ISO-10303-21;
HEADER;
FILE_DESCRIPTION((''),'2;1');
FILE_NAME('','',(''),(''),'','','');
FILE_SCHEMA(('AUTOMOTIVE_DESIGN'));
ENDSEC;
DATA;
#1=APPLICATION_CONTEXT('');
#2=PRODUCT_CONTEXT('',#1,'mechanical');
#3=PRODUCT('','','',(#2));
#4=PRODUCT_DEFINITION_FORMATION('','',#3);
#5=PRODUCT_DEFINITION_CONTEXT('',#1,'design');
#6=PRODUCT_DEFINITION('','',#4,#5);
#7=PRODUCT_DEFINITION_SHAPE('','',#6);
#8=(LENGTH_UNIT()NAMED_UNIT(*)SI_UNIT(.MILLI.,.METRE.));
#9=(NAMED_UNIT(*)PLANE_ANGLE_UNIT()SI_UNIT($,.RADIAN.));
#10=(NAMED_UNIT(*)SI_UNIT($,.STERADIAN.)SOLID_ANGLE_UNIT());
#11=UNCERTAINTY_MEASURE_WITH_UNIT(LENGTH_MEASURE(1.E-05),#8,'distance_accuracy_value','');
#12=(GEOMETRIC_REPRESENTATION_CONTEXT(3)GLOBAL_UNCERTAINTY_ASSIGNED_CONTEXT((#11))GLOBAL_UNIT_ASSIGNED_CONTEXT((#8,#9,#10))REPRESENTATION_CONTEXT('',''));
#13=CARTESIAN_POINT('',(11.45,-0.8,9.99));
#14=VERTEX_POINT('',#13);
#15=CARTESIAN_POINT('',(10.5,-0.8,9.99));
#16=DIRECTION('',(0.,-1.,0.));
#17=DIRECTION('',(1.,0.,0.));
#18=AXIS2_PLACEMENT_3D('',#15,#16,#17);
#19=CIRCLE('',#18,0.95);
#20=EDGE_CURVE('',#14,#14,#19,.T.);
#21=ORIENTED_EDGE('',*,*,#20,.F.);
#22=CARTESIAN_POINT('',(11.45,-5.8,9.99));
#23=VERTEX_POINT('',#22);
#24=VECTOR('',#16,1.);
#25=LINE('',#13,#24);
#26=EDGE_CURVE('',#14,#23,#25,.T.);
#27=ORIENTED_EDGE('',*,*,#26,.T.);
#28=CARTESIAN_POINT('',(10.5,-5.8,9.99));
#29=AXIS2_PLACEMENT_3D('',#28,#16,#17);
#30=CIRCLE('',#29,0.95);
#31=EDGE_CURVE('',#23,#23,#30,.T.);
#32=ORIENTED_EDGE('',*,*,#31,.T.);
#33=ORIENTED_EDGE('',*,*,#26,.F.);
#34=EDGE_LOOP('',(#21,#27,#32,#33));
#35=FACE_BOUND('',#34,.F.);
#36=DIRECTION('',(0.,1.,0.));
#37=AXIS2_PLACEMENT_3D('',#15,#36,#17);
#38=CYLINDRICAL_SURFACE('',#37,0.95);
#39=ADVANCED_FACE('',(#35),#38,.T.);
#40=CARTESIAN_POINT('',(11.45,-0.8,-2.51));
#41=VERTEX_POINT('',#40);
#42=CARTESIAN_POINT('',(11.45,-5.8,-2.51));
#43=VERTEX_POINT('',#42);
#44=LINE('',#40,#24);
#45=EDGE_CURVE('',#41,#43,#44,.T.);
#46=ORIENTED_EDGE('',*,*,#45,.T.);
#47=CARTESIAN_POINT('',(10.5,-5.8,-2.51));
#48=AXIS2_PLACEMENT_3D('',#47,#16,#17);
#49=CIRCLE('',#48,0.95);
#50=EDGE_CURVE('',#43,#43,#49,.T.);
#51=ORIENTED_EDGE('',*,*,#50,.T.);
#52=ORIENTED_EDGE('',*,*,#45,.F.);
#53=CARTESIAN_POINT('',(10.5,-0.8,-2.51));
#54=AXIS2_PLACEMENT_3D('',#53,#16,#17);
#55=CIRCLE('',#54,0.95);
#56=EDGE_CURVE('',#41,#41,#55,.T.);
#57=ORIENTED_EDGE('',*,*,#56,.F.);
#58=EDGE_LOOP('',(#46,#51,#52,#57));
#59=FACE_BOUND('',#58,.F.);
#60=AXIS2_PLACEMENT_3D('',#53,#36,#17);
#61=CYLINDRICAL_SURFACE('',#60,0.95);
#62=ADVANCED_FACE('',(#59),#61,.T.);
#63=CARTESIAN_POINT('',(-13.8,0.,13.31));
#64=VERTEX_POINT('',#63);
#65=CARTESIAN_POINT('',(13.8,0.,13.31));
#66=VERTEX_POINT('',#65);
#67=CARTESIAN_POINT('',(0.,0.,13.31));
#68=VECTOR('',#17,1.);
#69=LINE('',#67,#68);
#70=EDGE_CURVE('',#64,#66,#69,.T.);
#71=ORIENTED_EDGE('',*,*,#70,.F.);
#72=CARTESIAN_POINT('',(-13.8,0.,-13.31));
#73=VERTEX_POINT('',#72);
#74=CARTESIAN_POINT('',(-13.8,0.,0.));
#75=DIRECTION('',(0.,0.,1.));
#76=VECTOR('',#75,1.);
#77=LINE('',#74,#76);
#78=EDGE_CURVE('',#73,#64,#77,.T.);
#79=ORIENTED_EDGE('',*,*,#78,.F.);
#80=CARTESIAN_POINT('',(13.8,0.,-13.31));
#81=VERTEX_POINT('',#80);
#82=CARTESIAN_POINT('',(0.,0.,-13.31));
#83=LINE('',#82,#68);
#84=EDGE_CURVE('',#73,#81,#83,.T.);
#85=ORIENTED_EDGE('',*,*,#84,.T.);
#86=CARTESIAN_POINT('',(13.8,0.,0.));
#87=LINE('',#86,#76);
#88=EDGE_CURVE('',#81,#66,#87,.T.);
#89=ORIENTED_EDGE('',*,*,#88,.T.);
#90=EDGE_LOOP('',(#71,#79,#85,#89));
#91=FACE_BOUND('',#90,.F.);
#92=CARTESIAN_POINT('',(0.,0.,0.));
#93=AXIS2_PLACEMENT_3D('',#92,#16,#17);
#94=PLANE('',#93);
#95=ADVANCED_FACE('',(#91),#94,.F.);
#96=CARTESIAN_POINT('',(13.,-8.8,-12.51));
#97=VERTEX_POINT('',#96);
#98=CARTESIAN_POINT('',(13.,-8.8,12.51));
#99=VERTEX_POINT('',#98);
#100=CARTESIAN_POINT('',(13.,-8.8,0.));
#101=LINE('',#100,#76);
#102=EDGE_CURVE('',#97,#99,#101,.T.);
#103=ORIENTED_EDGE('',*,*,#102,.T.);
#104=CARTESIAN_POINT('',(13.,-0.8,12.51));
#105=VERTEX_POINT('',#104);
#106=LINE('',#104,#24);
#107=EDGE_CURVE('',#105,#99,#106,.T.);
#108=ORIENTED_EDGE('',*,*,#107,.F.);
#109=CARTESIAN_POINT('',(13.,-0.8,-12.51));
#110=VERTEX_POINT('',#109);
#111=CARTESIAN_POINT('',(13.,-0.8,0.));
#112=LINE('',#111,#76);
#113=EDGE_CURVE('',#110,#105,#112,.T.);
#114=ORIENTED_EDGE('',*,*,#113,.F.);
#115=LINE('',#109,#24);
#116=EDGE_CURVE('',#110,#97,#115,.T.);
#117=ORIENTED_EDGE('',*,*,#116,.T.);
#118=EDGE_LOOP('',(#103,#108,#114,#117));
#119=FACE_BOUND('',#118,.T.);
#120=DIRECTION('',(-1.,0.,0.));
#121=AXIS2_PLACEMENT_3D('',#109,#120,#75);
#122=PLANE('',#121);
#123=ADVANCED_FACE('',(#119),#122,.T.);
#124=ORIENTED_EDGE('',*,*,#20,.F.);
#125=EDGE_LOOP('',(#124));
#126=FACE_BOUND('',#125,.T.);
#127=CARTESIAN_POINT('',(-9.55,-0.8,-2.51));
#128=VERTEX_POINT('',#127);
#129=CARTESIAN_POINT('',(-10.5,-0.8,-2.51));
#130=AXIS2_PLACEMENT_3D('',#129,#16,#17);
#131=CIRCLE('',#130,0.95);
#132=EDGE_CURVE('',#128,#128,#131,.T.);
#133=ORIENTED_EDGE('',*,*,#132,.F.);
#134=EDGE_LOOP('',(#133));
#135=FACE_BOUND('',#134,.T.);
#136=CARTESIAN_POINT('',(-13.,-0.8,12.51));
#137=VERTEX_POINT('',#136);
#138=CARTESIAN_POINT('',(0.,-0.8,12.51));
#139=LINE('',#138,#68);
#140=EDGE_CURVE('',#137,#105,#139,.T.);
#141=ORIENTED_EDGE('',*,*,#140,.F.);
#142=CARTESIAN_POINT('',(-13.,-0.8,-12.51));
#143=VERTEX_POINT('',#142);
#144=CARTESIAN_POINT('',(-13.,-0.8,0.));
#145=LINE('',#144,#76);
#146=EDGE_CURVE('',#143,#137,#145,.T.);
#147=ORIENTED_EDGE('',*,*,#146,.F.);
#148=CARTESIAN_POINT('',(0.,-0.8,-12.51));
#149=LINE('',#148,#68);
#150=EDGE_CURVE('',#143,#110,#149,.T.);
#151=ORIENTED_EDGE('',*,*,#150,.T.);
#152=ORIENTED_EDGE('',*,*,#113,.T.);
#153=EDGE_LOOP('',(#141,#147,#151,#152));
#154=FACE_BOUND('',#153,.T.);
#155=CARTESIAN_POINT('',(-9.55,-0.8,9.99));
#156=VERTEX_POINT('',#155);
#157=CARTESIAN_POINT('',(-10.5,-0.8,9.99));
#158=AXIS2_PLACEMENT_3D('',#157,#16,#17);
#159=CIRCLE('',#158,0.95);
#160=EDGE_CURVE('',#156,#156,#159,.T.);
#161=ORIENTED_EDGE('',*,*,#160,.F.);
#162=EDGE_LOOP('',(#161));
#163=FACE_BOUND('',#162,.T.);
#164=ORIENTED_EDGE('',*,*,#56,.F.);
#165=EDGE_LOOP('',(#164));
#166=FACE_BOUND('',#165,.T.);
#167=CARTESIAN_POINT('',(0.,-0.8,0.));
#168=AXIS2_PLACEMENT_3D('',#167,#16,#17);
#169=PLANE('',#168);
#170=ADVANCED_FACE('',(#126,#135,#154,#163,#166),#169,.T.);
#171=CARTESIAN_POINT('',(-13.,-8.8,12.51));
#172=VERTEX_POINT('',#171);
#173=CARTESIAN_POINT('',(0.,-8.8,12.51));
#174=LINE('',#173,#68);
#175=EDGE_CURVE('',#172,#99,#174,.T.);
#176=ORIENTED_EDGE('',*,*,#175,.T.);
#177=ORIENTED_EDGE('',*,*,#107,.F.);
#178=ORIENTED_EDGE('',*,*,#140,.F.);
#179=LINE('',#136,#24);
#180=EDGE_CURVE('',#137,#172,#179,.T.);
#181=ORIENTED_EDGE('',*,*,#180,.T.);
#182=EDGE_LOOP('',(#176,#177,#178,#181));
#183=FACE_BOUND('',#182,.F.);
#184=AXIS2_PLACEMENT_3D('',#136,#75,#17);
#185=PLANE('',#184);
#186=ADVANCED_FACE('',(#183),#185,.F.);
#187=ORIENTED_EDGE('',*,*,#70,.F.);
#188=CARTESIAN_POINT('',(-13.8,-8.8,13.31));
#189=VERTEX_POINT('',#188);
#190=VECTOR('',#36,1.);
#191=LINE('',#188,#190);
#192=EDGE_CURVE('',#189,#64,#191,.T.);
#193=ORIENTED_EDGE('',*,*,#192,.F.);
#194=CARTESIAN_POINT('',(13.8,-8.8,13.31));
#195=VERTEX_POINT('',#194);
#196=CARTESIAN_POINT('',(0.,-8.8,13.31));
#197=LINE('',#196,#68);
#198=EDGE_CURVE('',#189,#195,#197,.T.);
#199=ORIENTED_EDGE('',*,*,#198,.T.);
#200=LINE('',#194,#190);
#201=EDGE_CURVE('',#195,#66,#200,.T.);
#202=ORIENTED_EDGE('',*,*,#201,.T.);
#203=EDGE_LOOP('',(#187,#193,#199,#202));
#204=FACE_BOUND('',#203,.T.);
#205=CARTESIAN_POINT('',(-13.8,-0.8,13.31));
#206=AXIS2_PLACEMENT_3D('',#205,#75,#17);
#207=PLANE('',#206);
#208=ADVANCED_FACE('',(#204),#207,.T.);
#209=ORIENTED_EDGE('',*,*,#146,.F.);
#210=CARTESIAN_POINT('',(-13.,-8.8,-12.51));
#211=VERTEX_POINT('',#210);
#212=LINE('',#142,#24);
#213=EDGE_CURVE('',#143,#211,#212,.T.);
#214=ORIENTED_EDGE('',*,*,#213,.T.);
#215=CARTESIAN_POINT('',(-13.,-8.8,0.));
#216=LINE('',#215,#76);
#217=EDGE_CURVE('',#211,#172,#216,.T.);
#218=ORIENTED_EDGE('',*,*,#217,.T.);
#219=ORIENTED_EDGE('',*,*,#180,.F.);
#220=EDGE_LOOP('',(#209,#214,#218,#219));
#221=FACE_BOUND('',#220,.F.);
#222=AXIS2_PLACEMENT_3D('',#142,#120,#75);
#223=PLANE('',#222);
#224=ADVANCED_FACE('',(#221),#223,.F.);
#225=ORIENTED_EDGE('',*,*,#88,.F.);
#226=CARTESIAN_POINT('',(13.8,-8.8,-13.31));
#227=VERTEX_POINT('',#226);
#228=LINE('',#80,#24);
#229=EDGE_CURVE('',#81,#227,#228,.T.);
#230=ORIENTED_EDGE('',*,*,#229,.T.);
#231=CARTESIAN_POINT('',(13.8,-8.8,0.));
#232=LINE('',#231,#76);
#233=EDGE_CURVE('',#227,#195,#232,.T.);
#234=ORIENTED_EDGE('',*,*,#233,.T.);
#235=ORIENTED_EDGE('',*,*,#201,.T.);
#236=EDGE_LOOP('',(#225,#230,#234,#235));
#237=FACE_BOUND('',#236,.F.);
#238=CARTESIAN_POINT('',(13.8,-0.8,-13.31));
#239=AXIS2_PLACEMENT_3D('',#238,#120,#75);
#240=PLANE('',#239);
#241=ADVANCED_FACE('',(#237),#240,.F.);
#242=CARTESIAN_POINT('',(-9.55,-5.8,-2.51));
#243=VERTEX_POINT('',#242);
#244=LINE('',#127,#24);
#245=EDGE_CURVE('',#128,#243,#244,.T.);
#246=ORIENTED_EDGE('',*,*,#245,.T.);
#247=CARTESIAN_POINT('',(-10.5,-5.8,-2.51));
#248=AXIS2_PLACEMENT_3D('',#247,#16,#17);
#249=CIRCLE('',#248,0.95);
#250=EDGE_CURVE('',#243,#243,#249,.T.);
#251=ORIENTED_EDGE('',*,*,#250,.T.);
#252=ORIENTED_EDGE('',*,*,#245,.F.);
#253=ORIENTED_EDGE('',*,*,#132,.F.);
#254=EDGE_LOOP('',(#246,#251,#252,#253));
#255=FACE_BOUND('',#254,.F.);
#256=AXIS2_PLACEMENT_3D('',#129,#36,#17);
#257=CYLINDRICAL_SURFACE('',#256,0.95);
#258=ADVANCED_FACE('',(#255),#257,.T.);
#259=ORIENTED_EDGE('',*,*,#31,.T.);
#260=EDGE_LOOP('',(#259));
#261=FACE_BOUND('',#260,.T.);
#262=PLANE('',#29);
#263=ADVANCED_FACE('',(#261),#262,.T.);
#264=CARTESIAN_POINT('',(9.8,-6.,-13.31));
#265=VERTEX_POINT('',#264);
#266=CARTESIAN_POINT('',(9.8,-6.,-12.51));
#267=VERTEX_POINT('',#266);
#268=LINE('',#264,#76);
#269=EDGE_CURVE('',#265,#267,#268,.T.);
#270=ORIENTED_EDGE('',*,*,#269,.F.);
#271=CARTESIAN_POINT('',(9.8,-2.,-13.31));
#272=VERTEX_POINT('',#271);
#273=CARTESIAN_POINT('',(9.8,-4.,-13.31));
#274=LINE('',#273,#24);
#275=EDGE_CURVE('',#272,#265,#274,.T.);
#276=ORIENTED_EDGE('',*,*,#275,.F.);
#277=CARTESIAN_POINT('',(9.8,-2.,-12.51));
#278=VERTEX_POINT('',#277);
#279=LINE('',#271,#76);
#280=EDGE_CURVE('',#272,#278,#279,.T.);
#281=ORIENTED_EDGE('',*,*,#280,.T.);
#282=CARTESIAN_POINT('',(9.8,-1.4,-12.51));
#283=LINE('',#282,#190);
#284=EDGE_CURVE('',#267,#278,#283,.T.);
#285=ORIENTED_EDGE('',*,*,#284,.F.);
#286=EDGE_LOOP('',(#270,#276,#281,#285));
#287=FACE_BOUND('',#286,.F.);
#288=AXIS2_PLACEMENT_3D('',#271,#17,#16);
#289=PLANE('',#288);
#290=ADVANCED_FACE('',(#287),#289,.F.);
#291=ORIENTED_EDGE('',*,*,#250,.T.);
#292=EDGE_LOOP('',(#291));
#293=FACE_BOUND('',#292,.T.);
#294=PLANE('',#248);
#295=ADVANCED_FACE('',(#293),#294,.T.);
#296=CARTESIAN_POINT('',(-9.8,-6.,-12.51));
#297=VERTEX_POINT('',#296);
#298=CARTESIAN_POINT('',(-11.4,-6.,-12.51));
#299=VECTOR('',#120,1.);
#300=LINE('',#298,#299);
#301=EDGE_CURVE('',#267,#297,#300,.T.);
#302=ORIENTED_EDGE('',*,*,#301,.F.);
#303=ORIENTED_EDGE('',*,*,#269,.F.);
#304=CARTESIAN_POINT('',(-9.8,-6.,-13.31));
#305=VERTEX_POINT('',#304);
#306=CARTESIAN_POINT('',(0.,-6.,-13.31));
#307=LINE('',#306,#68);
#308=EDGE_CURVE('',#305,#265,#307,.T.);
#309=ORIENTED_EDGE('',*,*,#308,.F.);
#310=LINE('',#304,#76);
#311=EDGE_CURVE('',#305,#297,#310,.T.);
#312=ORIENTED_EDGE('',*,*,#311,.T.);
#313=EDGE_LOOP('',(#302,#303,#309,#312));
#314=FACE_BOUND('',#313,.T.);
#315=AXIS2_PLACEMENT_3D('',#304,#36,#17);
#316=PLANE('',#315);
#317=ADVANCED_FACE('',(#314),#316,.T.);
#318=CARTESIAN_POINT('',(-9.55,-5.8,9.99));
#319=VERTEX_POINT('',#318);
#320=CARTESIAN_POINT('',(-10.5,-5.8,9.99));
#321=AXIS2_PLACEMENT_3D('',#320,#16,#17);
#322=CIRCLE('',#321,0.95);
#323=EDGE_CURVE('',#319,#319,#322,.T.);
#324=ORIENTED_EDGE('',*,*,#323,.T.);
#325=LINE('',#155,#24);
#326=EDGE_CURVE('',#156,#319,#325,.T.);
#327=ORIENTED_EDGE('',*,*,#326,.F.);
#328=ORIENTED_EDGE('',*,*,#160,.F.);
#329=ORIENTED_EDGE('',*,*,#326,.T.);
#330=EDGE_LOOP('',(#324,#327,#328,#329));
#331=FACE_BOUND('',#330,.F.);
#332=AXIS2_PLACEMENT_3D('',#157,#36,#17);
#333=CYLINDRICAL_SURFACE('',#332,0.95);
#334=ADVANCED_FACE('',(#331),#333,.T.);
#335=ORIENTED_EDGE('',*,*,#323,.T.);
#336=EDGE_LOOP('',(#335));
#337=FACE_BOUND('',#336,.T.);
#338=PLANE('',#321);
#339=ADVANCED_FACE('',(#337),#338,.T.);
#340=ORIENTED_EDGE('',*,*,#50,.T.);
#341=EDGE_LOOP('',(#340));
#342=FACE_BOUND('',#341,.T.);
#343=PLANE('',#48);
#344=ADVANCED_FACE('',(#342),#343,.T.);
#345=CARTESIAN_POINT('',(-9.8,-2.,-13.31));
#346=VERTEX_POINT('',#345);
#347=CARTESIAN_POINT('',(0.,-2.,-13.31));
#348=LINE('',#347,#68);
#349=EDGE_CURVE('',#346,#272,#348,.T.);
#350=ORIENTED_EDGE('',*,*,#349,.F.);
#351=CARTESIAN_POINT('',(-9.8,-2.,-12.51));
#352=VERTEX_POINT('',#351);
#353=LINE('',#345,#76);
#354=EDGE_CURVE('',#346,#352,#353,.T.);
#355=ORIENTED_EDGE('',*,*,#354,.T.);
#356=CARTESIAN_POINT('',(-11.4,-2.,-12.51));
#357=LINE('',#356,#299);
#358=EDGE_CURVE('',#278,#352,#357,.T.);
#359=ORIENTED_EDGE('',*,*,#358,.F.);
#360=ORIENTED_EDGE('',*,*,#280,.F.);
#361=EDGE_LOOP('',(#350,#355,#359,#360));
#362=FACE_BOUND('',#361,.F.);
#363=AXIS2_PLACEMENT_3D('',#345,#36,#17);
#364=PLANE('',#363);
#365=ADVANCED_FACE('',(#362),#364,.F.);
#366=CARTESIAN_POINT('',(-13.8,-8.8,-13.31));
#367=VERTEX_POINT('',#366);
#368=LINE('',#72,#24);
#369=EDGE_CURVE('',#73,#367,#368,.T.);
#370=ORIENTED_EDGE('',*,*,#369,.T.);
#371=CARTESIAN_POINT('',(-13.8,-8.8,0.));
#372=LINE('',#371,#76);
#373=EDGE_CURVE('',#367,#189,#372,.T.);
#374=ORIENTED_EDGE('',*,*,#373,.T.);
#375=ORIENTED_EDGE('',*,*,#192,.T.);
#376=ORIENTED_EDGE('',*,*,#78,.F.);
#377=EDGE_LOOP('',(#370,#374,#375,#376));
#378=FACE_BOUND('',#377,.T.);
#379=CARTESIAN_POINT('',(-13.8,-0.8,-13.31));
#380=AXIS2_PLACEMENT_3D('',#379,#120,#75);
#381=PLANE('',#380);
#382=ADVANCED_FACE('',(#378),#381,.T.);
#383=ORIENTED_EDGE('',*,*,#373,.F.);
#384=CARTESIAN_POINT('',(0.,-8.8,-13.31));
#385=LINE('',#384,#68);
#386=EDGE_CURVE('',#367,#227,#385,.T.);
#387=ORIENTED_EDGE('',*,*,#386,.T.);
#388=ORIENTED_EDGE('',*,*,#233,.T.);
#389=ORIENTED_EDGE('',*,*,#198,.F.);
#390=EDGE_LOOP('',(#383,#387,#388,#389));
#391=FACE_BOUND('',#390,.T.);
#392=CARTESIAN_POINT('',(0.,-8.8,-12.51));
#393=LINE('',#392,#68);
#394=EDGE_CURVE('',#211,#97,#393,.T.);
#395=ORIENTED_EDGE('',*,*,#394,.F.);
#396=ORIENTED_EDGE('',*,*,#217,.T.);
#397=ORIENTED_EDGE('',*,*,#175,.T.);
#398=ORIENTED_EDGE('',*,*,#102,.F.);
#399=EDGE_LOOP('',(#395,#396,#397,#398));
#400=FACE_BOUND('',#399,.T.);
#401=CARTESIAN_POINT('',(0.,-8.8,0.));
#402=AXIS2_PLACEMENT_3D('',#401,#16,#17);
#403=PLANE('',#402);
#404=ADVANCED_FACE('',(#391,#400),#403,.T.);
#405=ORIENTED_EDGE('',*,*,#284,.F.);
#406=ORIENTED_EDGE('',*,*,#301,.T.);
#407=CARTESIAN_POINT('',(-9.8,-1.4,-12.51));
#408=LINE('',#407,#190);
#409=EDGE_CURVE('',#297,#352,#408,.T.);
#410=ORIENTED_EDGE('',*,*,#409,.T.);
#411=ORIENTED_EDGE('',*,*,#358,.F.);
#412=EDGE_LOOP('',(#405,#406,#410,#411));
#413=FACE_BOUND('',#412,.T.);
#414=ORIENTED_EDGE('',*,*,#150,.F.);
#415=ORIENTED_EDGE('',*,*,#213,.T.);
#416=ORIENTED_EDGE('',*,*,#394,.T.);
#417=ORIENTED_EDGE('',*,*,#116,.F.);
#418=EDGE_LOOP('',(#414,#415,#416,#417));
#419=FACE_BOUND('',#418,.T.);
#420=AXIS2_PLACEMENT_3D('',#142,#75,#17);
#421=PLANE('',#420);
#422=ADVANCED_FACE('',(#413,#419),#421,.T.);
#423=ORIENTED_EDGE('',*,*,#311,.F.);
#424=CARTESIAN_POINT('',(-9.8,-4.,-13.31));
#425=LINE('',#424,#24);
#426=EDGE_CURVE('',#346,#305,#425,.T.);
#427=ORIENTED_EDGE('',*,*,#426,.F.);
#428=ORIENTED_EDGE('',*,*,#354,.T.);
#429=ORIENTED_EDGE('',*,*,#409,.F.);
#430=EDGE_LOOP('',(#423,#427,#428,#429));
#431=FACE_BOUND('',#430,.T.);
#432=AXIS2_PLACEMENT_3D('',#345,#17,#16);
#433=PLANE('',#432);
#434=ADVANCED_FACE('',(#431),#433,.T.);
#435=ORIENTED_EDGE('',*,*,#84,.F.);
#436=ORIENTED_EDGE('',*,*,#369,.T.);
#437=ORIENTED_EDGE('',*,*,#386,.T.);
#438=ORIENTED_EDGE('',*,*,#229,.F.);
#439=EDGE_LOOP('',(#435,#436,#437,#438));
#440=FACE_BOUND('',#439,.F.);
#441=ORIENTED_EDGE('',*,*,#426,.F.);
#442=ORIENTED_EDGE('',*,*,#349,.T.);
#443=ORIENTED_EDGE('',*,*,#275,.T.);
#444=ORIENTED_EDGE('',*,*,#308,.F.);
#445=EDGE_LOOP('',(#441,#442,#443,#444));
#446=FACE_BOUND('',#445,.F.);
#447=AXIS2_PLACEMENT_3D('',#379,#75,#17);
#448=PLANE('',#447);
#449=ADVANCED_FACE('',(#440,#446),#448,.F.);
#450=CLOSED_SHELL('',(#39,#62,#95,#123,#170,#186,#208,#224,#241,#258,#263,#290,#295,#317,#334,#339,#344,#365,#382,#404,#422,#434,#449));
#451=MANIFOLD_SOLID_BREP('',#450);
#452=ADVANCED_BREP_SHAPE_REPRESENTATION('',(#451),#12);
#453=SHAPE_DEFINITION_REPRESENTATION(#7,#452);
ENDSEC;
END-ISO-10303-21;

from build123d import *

# Parameters (mm, degrees)
F0_W     = 27.6
F0_H     = 26.62
F1_DEPTH = 0.8
F2_W     = 27.6
F2_H     = 26.62
F2_W_2   = 26
F2_H_2   = 25.02
F3_DEPTH = 8
F4_R     = 0.95
F5_DEPTH = 5
F6_W     = 19.6
F6_H     = 4
F7_DEPTH = 1.7


with BuildPart() as f1:
    # F0 (on Front) → F1 (new body)
    with BuildSketch(Plane.XZ):
        Rectangle(F0_W, F0_H)
    extrude(amount=F1_DEPTH)

    # F2 (on face) → F3 (join)
    with BuildSketch(Plane.XZ.offset(0.8)):
        Rectangle(F2_W, F2_H)
        Rectangle(F2_W_2, F2_H_2, mode=Mode.SUBTRACT)
    extrude(amount=F3_DEPTH)

    # F4 (on face) → F5 (join)
    with BuildSketch(Plane.XZ.offset(0.8)):
        with Locations((-10.5, 9.99)):
            Circle(F4_R)
        with Locations((-10.5, -2.51)):
            Circle(F4_R)
        with Locations((10.5, 9.99)):
            Circle(F4_R)
        with Locations((10.5, -2.51)):
            Circle(F4_R)
    extrude(amount=F5_DEPTH)

    # F6 (on face) → F7 (cut)
    with BuildSketch(Plane(origin=(0, 0, -13.31), x_dir=(1, 0, 0), z_dir=(0, 0, -1))):
        with Locations((0, 4)):
            Rectangle(F6_W, F6_H)
    extrude(amount=-F7_DEPTH, mode=Mode.SUBTRACT)


solid = f1.part
